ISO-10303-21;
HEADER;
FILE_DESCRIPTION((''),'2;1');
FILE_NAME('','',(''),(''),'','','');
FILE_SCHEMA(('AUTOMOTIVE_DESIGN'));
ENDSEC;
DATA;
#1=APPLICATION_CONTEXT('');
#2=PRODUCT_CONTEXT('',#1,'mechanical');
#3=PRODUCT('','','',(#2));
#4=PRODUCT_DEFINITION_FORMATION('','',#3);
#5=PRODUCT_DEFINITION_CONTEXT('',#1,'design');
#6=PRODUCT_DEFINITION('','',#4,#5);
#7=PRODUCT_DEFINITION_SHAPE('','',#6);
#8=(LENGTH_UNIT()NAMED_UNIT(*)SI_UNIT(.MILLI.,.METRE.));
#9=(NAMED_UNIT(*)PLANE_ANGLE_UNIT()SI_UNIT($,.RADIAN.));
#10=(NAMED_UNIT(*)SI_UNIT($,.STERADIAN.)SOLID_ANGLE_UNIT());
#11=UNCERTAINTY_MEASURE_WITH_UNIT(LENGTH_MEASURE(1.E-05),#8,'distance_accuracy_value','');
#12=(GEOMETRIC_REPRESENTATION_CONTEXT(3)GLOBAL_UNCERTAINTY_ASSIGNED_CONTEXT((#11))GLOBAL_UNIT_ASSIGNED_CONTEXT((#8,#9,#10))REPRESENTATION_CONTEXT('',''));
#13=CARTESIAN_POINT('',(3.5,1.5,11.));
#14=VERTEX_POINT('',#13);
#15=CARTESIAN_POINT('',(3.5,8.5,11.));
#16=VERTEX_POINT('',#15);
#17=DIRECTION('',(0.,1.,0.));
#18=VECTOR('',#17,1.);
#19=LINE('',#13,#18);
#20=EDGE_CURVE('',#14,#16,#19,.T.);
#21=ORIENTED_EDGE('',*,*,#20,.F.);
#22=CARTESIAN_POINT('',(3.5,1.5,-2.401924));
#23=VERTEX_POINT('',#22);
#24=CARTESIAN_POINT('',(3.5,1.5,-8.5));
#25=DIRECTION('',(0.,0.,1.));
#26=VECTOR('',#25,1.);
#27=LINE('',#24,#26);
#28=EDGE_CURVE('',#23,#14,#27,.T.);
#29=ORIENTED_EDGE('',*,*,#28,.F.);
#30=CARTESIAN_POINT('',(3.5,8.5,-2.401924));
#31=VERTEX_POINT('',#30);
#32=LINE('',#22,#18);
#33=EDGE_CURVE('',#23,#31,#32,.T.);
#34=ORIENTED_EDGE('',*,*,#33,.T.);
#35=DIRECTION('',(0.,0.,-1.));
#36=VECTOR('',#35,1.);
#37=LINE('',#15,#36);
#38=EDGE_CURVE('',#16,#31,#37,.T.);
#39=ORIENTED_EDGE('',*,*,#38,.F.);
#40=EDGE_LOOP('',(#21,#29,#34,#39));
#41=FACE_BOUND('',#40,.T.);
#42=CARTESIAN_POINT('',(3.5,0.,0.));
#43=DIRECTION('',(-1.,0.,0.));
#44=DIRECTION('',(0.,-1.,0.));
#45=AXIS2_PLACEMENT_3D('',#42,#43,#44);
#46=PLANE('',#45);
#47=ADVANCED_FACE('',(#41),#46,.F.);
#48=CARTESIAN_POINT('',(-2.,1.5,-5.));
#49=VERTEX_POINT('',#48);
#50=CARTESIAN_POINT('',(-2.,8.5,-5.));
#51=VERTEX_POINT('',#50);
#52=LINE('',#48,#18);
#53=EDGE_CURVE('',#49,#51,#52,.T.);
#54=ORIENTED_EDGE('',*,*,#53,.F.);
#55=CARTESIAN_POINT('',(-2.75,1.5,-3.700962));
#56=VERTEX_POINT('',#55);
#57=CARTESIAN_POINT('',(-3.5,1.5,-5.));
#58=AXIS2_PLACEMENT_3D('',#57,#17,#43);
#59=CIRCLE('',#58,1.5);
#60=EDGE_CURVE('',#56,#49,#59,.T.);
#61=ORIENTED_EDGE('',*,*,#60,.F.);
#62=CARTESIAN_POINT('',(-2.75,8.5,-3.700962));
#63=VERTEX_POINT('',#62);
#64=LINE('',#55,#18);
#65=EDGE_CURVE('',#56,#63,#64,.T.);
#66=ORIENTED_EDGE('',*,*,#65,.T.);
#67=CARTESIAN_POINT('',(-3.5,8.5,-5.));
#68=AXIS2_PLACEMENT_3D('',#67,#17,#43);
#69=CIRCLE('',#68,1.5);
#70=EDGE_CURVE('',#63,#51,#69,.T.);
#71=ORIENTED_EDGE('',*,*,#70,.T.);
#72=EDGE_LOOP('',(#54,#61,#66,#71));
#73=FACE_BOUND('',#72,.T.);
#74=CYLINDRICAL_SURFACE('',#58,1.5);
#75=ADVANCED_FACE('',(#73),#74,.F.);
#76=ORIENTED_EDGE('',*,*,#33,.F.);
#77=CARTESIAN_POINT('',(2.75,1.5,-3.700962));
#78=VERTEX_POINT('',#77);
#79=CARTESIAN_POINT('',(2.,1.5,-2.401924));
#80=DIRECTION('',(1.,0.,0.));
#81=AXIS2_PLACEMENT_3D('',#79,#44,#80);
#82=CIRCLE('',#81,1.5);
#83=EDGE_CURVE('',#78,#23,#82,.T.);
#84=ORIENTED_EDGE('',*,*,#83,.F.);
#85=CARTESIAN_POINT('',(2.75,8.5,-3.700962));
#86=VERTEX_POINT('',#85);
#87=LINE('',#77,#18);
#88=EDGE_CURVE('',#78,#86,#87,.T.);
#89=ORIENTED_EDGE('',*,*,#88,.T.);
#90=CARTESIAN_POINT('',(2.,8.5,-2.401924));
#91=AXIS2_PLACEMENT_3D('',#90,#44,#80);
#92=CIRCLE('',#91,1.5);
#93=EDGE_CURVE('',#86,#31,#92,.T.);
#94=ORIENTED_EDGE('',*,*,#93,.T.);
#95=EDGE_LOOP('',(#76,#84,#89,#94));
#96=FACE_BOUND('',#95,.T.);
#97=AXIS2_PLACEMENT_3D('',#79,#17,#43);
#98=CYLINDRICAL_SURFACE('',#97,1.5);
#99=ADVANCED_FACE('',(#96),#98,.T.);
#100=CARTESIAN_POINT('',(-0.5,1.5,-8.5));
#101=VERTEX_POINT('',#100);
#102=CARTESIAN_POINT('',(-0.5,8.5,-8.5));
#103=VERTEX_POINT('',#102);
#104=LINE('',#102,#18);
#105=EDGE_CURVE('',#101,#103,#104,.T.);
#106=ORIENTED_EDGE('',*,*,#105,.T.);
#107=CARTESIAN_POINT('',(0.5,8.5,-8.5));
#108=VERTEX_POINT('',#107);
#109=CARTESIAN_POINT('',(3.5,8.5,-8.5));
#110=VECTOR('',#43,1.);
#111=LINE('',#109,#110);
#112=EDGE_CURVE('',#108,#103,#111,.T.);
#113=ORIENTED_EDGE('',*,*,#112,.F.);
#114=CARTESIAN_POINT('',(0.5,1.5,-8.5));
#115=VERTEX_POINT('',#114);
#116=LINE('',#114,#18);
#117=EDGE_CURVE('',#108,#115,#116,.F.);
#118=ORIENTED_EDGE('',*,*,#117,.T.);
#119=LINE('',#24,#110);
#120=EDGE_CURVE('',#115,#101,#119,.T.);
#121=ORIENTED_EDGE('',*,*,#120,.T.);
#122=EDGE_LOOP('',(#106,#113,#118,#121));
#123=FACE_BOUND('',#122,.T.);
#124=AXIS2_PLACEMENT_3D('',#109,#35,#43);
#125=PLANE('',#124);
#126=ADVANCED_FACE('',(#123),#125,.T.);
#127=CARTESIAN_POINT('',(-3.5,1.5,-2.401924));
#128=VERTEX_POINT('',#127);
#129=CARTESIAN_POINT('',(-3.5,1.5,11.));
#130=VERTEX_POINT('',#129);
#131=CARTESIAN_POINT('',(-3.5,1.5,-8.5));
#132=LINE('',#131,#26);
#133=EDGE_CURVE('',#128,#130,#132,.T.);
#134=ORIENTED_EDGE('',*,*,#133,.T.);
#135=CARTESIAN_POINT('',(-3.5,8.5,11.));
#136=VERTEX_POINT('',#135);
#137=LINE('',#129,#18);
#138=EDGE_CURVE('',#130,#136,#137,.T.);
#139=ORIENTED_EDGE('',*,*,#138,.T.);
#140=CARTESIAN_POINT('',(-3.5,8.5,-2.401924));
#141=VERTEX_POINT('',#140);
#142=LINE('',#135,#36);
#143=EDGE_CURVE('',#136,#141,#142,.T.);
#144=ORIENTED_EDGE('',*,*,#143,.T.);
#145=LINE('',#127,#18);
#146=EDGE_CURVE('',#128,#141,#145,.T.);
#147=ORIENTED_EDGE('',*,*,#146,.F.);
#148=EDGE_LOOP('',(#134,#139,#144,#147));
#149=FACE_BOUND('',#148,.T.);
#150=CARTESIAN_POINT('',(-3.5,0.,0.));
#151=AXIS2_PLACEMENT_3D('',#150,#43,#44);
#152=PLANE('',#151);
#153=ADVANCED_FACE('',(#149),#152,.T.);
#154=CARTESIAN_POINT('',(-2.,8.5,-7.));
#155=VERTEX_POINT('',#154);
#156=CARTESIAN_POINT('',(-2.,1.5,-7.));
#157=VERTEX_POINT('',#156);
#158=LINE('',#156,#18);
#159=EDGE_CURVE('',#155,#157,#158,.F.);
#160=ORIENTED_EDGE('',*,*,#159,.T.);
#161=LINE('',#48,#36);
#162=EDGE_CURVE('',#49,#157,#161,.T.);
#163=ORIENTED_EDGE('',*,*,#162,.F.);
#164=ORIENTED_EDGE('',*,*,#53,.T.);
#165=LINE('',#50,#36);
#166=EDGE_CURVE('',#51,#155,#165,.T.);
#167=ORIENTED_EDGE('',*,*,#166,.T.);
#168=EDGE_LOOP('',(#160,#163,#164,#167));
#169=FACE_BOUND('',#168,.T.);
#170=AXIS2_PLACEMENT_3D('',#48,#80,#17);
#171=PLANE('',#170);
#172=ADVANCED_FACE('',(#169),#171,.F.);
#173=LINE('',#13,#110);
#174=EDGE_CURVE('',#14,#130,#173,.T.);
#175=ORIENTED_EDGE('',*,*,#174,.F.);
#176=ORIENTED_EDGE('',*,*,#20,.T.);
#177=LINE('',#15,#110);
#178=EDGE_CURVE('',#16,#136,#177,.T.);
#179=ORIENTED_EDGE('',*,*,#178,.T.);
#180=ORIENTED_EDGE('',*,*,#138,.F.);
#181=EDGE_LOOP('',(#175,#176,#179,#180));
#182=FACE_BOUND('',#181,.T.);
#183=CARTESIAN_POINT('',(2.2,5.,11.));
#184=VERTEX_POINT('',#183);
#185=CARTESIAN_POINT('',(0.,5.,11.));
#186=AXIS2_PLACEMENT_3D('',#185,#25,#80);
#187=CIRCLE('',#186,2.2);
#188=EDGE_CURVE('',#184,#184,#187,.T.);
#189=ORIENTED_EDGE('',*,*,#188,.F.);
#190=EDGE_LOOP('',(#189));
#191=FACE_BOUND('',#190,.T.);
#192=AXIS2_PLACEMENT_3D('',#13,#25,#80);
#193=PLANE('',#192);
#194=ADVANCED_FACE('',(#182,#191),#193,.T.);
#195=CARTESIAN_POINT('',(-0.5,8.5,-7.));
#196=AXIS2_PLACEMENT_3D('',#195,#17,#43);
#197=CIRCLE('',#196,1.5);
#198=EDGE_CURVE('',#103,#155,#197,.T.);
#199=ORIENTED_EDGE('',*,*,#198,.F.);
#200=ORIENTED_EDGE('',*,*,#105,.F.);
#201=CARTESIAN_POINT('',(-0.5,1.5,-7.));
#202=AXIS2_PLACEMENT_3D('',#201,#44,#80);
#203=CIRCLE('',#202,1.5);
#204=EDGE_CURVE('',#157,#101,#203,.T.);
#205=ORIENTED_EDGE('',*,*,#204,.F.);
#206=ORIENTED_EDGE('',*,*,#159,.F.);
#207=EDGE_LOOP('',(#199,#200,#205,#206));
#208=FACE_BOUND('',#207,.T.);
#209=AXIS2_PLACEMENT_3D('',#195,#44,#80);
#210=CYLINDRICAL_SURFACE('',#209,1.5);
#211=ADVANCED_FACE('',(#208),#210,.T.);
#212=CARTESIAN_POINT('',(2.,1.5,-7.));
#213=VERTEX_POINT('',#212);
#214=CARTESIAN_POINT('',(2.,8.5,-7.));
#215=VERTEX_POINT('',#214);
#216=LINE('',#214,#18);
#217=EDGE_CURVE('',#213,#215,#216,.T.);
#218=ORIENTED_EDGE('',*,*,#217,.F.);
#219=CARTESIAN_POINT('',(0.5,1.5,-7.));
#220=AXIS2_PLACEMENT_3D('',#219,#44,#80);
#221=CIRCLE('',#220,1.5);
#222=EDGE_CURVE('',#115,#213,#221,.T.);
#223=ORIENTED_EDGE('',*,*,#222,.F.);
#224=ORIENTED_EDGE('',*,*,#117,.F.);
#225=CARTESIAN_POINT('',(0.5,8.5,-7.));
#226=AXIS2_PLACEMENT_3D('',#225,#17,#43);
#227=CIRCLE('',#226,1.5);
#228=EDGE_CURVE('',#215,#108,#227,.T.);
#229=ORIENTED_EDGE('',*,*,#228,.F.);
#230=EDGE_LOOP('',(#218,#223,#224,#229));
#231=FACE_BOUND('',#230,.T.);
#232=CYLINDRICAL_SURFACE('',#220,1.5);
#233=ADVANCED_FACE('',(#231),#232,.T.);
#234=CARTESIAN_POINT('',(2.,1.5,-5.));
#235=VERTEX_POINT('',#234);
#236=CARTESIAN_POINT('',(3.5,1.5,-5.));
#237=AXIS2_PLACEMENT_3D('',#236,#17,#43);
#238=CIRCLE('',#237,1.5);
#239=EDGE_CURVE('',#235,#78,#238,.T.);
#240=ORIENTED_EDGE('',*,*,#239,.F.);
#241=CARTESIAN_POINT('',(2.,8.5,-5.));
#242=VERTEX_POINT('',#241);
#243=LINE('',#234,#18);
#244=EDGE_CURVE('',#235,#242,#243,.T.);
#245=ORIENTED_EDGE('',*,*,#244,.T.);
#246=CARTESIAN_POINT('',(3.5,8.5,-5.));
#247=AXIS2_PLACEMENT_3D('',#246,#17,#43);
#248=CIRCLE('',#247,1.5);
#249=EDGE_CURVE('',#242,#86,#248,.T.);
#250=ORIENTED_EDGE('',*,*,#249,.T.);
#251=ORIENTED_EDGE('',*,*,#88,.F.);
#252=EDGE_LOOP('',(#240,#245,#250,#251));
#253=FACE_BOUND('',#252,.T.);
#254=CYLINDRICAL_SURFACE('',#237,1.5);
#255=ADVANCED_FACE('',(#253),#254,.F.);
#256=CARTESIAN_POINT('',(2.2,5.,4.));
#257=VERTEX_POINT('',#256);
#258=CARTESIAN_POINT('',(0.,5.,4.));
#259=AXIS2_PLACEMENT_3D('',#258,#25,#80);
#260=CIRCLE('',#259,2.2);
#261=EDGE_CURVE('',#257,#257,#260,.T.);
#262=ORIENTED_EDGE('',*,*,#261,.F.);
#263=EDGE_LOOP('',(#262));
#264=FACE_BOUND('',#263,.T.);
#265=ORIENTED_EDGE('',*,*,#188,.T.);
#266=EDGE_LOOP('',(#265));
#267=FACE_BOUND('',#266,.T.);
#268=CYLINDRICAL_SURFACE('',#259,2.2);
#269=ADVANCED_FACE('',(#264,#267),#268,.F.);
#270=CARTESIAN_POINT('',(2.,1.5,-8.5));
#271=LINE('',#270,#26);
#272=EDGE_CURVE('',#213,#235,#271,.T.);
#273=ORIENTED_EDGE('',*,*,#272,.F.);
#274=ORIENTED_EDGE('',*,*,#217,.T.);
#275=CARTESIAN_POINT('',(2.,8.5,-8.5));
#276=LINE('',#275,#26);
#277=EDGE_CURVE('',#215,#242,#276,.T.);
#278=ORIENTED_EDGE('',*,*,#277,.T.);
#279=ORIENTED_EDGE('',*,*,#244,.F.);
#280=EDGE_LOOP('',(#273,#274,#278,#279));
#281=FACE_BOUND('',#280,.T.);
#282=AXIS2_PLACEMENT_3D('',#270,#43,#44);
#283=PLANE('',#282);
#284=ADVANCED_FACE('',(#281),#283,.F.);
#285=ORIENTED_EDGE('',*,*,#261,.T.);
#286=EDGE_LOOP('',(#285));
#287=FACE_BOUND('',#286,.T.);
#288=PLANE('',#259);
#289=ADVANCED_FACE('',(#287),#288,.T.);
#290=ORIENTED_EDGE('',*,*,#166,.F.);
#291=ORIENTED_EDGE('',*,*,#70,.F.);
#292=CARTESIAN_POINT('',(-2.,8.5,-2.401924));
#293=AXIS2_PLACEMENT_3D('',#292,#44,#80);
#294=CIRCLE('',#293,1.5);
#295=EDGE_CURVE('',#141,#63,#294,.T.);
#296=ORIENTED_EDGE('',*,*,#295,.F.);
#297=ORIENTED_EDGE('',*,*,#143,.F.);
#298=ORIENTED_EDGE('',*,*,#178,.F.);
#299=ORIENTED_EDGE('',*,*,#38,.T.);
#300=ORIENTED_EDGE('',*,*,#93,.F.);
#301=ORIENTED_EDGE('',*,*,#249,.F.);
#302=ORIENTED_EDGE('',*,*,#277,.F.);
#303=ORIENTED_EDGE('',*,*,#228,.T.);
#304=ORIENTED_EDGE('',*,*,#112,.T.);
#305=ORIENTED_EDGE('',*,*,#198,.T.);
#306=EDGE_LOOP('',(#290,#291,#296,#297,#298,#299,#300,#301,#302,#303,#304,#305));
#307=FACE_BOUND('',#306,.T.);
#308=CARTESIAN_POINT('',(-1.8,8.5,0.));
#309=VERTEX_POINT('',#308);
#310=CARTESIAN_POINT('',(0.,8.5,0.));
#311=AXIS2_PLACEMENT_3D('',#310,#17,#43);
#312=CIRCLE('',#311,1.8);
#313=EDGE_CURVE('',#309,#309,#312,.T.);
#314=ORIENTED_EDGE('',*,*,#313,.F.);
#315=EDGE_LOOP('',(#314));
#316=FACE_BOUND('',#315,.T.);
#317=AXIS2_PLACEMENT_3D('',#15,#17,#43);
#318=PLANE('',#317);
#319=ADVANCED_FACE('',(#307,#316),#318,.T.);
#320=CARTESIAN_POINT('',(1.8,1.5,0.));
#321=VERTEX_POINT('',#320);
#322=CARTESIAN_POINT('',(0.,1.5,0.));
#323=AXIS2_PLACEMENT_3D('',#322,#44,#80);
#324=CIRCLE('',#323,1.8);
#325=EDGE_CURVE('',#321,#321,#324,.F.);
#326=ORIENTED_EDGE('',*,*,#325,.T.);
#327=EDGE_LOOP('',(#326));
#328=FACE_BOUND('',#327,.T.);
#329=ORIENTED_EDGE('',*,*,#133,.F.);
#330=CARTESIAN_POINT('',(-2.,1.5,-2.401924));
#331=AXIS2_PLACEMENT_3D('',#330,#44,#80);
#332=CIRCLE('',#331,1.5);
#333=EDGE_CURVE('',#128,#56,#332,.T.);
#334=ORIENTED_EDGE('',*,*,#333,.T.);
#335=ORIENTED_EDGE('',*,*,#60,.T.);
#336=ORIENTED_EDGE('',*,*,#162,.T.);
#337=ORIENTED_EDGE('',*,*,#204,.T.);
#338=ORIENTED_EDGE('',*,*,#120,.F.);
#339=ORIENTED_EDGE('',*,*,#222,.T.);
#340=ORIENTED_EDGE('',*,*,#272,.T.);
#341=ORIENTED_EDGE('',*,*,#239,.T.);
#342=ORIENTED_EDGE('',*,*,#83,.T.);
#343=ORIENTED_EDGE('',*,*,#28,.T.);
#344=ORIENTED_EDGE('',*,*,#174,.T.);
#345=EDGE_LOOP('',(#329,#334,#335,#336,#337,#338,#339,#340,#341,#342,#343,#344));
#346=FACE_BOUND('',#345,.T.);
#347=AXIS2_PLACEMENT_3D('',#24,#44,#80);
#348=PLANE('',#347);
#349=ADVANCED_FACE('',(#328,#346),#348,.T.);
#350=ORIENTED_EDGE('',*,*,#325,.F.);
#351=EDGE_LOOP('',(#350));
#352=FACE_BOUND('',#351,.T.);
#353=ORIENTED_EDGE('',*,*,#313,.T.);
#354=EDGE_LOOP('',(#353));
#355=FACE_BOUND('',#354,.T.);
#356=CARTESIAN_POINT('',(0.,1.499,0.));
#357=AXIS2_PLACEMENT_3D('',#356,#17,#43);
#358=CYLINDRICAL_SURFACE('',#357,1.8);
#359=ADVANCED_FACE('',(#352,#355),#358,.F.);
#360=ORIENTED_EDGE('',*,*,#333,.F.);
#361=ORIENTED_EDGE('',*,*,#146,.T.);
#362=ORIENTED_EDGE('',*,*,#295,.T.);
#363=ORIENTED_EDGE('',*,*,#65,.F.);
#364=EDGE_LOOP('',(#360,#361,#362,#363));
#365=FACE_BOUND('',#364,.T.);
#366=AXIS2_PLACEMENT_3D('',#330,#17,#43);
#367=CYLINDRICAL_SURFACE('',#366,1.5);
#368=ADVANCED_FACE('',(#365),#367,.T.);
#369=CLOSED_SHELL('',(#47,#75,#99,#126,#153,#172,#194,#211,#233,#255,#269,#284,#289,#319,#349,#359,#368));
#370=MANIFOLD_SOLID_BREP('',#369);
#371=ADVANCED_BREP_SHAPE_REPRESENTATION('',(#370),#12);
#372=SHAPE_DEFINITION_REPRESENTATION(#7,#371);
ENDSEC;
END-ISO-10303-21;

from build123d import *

# Parameters (mm, degrees)
SKETCH1_W           = 7
SKETCH1_H           = 19.5
BOSS_EXTRUDE1_DEPTH = 7
CUT_EXTRUDE1_DEPTH  = 8
CUT_EXTRUDE2_DEPTH  = 8
FILLET1_R           = 1.5
CUT_EXTRUDE3_REACH  = 9
SKETCH4_R           = 1.8
SKETCH5_R           = 2.2
CUT_EXTRUDE4_DEPTH  = 7


with BuildPart() as part:
    # Sketch1 → Boss-Extrude1 (new body)
    with BuildSketch(Plane(origin=(-3.5, 0, 0), x_dir=(0, -1, 0), z_dir=(-1, 0, 0))):
        with Locations((-5, 1.25)):
            Rectangle(SKETCH1_W, SKETCH1_H)
    extrude(amount=-BOSS_EXTRUDE1_DEPTH)

    # Sketch2 → Cut-Extrude1 (cut, through all)
    with BuildSketch(Plane(origin=(0, 8.5, 0), x_dir=(-1, 0, 0), z_dir=(0, 1, 0))):
        with BuildLine():
            Line((-3.5, -2.401923806), (-3.5, -8.5))
            Line((-3.5, -8.5), (-2.00000003, -8.5))
            Line((-2.00000003, -8.5), (-2.00000003, -5))
            ThreePointArc((-2.00000003, -5), (-2.20096192, -4.250000007), (-2.750000015, -3.700961903))
            ThreePointArc((-2.750000015, -3.700961903), (-3.29903811, -3.151923798), (-3.5, -2.401923806))
        make_face()
    extrude(amount=-CUT_EXTRUDE1_DEPTH, mode=Mode.SUBTRACT)

    # Sketch3 → Cut-Extrude2 (cut, through all)
    with BuildSketch(Plane(origin=(0, 8.5, 0), x_dir=(-1, 0, 0), z_dir=(0, 1, 0))):
        with BuildLine():
            Line((1.99999997, -5), (1.99999997, -8.5))
            Line((1.99999997, -8.5), (3.5, -8.5))
            Line((3.5, -8.5), (3.5, -2.401923771))
            ThreePointArc((3.5, -2.401923771), (3.299038101, -3.151923779), (2.749999985, -3.700961886))
            ThreePointArc((2.749999985, -3.700961886), (2.200961869, -4.249999993), (1.99999997, -5))
        make_face()
    extrude(amount=-CUT_EXTRUDE2_DEPTH, mode=Mode.SUBTRACT)

    # Fillet1
    fillet1_edges = [part.edges().sort_by_distance(p)[0] for p in [
        (2.00000003, 5, -8.5),
        (-1.99999997, 5, -8.5),
    ]]
    fillet(fillet1_edges, radius=FILLET1_R)

    # Sketch4 → Cut-Extrude3 (cut, up to next)
    with BuildSketch(Plane(origin=(0, 8.5, 0), x_dir=(1, 0, 0), z_dir=(0, 1, 0)), mode=Mode.PRIVATE) as cut_extrude3_sk1:
        Circle(SKETCH4_R)
    cut_extrude3_tool1 = extrude(cut_extrude3_sk1.sketch, amount=-CUT_EXTRUDE3_REACH, mode=Mode.PRIVATE) & part.part
    add(cut_extrude3_tool1.solids().sort_by_distance((0, 8.5, 0))[0], mode=Mode.SUBTRACT)

    # Sketch5 → Cut-Extrude4 (cut)
    with BuildSketch(Plane.XY.offset(11)):
        with Locations((0, 5)):
            Circle(SKETCH5_R)
    extrude(amount=-CUT_EXTRUDE4_DEPTH, mode=Mode.SUBTRACT)


solid = part.part
